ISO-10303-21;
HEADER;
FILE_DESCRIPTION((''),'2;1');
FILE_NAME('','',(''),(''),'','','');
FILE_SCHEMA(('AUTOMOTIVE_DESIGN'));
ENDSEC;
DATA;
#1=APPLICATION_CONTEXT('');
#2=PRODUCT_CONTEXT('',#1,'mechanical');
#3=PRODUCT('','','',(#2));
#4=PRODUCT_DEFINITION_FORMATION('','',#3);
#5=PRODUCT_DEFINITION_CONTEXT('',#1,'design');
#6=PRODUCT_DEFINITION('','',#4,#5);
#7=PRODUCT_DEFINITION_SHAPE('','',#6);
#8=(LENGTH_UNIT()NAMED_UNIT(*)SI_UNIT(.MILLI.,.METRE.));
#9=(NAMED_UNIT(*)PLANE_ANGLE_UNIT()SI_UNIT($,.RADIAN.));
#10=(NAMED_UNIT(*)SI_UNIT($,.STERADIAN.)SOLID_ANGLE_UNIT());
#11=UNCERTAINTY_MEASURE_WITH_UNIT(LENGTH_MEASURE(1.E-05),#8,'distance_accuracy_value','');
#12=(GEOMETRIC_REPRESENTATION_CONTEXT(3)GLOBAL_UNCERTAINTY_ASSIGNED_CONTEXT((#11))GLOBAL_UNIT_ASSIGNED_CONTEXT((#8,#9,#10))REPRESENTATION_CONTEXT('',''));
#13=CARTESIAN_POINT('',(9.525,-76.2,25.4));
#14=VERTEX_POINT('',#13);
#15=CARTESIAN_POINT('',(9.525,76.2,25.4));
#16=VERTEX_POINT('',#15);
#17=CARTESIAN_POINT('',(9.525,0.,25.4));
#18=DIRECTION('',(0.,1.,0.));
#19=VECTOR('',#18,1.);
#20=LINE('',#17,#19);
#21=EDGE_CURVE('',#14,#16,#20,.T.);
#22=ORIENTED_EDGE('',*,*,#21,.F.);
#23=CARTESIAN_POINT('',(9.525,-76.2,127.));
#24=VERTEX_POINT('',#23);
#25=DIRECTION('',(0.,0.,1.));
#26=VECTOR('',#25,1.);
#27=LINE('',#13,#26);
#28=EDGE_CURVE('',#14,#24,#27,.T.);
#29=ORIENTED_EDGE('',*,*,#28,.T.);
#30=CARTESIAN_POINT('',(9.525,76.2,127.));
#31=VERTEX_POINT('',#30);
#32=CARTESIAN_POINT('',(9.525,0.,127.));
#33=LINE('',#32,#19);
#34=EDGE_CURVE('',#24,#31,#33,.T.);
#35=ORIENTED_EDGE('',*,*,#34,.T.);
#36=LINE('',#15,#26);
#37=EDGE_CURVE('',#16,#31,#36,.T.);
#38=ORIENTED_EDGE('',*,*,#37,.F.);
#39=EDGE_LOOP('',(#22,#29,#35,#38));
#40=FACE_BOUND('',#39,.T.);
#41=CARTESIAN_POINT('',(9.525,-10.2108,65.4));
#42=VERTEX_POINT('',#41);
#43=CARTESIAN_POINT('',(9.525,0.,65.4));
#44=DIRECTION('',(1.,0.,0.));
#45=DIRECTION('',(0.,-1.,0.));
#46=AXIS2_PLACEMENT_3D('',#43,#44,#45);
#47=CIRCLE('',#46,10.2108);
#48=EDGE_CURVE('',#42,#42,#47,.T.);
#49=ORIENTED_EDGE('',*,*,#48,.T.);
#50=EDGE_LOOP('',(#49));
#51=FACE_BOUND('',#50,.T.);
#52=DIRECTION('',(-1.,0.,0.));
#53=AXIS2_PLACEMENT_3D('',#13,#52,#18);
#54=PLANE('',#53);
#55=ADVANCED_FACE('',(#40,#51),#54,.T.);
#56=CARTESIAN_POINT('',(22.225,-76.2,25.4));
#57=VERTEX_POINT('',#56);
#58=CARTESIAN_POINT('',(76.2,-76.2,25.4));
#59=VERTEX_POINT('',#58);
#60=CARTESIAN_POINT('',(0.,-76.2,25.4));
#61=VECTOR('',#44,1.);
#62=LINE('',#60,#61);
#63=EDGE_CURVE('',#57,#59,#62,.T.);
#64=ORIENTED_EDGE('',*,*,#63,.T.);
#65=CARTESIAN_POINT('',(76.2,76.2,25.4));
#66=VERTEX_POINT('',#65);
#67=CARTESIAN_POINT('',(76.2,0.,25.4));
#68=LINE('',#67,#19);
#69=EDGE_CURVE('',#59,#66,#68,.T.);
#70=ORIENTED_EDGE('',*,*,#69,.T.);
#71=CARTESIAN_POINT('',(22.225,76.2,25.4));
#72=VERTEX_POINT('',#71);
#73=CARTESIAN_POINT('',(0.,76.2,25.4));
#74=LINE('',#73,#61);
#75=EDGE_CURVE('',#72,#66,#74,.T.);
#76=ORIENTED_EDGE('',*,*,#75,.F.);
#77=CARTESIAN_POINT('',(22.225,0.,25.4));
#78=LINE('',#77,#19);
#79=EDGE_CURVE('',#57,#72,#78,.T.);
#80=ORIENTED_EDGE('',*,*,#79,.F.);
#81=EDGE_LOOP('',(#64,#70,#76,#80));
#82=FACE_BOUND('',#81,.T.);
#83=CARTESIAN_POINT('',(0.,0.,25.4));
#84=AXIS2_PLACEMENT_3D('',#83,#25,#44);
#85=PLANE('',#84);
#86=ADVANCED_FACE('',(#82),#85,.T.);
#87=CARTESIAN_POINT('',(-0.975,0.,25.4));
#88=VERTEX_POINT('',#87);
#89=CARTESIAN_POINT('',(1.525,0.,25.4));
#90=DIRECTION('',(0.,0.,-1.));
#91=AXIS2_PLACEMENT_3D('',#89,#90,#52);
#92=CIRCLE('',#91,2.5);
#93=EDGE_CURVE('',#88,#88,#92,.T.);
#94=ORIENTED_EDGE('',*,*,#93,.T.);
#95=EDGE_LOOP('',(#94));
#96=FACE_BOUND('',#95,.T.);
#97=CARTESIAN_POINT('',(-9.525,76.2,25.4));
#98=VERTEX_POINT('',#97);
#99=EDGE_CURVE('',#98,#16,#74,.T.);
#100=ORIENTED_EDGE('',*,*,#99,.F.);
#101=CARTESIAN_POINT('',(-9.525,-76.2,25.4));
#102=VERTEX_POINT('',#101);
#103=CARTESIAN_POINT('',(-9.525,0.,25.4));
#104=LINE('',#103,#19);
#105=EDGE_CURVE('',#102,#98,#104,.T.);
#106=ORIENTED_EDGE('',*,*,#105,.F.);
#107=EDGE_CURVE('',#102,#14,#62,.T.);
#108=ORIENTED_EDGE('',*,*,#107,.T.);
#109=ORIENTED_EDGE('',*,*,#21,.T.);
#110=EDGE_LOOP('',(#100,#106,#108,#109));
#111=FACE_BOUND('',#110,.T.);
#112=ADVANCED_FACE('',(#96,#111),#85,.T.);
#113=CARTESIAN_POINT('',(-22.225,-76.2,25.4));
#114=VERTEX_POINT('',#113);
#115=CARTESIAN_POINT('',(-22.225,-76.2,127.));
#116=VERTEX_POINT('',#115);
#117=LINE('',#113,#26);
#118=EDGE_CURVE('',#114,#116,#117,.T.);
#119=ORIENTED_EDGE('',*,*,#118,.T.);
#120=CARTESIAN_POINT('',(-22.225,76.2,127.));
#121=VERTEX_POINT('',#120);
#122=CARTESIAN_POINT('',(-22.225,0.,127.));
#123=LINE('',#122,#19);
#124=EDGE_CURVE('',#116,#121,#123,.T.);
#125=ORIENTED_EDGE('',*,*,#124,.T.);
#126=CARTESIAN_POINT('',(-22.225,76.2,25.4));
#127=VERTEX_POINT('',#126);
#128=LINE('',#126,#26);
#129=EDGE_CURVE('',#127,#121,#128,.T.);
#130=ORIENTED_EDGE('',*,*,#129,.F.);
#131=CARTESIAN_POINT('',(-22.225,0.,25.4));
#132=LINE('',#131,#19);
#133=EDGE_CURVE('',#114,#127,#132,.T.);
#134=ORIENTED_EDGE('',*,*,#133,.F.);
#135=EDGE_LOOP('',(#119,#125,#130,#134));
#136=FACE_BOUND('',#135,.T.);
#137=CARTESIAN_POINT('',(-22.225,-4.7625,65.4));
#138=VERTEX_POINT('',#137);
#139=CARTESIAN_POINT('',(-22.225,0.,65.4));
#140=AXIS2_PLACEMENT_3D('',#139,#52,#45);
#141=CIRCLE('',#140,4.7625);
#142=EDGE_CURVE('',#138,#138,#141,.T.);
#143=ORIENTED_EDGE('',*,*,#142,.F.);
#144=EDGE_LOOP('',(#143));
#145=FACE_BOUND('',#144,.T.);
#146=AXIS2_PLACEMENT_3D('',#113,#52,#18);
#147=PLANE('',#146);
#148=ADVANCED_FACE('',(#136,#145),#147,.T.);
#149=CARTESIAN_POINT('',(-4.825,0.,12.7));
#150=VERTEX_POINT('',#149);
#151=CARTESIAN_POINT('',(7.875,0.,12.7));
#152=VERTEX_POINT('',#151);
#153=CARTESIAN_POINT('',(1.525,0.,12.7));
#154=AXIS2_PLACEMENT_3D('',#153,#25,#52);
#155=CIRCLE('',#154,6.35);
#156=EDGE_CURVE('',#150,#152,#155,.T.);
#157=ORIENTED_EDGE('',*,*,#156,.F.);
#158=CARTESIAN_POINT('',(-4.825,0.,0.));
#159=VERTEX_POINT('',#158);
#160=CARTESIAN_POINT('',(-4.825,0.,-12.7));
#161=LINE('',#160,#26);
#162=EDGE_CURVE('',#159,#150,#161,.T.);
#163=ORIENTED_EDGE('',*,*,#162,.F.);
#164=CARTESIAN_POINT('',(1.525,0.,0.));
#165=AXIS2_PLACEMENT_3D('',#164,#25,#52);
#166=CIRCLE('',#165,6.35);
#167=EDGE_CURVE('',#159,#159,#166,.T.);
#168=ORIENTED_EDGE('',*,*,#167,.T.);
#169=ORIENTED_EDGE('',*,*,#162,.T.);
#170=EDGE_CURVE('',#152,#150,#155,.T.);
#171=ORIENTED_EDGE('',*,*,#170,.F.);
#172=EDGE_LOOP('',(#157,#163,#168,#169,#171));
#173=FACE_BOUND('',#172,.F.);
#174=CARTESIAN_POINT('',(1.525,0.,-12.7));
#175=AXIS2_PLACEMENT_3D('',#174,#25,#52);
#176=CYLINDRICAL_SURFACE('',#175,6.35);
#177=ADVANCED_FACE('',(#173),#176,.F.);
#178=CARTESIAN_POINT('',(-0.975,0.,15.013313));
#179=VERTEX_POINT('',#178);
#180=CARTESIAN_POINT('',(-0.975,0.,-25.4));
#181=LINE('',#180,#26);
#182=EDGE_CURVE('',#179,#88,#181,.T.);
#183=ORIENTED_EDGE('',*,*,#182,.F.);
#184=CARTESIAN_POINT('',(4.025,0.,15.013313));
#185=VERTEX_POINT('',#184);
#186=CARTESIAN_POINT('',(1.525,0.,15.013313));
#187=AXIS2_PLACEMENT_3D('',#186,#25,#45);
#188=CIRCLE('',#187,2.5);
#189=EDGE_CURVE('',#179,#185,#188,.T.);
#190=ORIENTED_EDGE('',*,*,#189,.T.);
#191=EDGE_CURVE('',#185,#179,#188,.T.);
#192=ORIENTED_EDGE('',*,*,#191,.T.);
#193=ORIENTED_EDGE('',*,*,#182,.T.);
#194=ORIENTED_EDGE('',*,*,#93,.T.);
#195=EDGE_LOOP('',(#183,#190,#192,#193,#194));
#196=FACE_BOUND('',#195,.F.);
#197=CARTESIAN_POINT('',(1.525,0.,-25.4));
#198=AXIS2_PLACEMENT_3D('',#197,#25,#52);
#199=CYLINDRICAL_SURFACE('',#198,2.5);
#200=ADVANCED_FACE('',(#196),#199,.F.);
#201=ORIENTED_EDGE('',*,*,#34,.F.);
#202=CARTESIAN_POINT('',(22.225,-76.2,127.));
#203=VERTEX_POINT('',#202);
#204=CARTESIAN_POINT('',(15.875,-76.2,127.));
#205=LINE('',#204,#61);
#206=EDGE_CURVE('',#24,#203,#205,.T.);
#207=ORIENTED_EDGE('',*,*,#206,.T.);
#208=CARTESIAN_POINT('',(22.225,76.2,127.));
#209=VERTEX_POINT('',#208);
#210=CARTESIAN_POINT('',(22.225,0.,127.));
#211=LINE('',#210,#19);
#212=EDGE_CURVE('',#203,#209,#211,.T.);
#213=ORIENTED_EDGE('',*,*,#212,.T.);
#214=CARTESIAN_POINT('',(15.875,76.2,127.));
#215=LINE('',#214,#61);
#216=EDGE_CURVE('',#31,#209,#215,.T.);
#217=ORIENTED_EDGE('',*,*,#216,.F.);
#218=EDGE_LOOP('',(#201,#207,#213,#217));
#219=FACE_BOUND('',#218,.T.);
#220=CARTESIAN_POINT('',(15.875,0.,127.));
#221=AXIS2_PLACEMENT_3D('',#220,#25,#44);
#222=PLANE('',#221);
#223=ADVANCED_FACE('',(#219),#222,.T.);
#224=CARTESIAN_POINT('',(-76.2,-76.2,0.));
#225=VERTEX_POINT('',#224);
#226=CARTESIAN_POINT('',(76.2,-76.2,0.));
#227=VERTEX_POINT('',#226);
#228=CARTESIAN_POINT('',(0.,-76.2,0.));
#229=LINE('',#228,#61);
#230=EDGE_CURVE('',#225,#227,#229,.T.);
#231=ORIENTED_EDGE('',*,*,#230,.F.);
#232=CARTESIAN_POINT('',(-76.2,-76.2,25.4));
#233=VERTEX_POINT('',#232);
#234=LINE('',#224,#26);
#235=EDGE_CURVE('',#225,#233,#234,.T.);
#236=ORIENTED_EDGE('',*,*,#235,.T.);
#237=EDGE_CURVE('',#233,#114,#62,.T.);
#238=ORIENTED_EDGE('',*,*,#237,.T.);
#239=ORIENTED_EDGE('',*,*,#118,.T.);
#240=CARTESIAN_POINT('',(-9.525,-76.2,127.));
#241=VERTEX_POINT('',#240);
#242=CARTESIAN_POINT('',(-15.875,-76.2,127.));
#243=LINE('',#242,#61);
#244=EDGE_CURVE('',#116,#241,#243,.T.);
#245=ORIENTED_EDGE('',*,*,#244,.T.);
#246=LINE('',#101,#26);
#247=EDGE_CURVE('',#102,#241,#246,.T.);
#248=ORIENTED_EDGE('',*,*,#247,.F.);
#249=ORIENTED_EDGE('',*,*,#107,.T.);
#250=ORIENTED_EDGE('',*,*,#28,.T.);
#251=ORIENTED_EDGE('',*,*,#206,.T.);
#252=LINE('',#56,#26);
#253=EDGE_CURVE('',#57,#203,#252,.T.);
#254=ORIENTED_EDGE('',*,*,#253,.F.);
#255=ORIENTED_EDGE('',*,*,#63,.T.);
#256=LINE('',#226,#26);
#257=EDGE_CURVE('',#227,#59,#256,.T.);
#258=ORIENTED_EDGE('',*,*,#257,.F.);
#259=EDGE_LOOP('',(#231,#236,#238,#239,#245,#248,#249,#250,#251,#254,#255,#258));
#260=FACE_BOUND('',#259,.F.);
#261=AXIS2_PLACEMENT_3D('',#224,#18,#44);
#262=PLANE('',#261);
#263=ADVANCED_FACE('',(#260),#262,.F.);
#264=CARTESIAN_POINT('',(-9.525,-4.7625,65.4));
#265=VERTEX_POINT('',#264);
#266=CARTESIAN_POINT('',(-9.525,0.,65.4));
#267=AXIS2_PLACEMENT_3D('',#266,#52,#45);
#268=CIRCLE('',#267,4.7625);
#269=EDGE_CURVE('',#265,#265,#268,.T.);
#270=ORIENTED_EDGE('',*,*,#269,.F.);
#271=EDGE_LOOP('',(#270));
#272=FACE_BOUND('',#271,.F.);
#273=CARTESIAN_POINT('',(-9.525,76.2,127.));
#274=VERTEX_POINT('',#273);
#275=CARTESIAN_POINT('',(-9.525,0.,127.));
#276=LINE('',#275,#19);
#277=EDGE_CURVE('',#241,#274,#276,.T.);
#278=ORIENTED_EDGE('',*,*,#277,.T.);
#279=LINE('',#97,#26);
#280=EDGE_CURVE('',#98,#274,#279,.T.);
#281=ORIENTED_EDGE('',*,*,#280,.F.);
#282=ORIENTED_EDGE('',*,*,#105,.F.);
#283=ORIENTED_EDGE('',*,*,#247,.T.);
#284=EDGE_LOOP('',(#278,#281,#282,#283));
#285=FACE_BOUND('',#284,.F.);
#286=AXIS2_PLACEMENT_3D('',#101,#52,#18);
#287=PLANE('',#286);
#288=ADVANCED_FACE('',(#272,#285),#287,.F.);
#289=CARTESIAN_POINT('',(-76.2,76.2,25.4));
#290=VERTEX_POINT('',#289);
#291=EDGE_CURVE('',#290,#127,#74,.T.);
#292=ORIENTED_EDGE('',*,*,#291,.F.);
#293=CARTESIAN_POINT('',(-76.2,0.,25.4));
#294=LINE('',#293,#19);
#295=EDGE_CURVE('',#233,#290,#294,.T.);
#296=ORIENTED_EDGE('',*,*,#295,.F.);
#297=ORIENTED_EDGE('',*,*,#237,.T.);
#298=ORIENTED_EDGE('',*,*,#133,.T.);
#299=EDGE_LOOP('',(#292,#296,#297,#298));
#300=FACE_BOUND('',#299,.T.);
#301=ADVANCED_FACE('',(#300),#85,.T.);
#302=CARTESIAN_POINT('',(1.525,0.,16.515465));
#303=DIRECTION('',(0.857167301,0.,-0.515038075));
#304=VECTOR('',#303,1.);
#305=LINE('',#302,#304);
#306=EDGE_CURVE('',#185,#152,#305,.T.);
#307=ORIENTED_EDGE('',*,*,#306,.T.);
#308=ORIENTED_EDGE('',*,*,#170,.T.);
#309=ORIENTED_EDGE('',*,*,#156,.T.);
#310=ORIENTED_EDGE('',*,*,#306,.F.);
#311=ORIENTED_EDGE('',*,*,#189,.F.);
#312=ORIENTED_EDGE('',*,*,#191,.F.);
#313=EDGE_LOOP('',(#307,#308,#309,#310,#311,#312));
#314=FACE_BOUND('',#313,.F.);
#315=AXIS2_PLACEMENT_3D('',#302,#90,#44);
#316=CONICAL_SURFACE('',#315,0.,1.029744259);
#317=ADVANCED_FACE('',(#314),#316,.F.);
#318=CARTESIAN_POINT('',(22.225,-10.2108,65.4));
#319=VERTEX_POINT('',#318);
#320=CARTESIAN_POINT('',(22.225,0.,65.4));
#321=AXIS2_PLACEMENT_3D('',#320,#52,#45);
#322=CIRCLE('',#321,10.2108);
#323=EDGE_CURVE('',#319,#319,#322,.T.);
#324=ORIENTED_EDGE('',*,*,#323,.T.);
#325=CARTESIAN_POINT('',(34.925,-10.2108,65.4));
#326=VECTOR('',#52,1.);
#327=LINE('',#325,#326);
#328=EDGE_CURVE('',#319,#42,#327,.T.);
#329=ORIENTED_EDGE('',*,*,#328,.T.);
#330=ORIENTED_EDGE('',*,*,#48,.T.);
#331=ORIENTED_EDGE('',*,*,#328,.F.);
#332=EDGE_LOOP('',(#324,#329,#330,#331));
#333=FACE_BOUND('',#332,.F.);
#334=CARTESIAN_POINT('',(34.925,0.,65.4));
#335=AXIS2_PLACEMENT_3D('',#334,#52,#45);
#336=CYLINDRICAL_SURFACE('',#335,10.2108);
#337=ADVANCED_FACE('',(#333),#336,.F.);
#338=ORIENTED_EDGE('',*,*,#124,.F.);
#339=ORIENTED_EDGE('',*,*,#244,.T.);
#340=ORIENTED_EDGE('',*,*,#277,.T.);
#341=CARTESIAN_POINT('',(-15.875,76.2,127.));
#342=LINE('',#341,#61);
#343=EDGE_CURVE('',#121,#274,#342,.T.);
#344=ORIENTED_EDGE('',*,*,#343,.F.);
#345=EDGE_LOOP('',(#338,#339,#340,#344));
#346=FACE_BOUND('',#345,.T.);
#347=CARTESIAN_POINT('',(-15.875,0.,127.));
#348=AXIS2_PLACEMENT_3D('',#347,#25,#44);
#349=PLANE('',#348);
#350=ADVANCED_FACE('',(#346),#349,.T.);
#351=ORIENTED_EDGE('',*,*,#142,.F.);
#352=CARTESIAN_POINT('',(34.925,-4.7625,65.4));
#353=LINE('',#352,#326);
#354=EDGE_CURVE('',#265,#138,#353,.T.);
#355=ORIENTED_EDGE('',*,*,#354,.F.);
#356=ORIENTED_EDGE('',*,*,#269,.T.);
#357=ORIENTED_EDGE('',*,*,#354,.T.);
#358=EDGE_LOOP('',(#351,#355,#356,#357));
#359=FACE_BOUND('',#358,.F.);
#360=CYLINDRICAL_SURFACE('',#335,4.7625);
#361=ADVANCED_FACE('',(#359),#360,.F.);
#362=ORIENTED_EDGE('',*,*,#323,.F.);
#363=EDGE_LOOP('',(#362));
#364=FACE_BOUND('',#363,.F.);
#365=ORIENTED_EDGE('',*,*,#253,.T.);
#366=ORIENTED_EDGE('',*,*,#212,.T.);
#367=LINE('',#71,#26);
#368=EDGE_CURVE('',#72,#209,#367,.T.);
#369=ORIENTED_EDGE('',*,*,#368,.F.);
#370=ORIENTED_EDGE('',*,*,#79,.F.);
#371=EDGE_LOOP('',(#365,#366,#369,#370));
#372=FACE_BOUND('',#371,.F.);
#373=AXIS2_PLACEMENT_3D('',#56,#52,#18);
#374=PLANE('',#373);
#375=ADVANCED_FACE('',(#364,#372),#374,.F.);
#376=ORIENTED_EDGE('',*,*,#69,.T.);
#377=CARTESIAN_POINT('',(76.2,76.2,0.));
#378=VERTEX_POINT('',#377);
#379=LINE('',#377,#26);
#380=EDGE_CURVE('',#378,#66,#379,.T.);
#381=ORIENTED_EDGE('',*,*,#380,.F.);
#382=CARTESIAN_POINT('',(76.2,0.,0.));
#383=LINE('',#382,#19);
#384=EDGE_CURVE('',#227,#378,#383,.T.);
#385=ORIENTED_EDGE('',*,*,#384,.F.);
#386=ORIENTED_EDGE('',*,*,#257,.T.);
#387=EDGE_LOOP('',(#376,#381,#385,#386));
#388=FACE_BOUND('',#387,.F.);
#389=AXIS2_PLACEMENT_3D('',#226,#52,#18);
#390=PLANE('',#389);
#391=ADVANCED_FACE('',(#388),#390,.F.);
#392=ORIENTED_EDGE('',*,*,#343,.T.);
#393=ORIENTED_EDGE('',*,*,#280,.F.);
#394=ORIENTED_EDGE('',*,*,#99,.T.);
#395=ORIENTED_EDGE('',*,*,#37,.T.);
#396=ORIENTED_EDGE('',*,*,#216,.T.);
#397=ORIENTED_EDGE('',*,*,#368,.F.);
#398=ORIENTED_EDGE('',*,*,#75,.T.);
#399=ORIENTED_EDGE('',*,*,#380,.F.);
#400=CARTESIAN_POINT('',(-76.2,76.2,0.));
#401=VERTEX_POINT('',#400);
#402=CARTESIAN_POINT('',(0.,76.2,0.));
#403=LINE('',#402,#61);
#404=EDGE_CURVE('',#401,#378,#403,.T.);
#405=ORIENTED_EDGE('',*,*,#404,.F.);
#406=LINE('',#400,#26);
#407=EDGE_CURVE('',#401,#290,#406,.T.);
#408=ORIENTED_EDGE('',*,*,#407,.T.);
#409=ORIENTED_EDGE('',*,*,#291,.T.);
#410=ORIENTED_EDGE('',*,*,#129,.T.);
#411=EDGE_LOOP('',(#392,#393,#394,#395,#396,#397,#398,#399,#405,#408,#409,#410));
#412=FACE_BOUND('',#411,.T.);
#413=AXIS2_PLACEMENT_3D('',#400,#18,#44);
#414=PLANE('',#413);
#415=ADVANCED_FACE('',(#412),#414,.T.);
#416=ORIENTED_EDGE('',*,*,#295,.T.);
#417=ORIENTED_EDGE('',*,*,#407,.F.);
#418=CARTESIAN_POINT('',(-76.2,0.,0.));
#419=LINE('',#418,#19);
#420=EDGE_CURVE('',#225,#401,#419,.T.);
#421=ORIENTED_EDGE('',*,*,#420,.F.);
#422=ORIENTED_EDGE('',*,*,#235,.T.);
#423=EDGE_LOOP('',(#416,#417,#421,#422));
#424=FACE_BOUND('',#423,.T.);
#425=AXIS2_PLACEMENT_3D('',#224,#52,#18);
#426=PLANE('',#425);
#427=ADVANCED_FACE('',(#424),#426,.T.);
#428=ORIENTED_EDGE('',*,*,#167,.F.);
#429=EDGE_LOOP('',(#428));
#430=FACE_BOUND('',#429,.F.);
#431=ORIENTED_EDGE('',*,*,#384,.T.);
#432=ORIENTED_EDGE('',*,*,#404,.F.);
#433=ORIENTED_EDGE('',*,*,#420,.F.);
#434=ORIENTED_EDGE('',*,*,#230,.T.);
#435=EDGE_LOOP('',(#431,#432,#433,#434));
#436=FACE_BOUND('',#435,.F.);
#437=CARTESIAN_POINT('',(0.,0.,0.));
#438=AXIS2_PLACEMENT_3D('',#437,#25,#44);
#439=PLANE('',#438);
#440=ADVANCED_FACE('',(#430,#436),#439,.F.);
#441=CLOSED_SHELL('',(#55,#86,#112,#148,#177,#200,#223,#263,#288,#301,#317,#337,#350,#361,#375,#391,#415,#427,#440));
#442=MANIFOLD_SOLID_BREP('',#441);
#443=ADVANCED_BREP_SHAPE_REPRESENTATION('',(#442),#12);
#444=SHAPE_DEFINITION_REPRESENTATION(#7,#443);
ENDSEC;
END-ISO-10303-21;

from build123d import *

# Parameters (mm, degrees)
F0_W     = 152.4
F0_H     = 152.4
F1_DEPTH = 25.4
F2_W     = 12.7
F2_H     = 152.4
F3_DEPTH = 101.6
F5_D     = 20.4216
F5_DEPTH = 12.7
F5_TIP   = 6.1352676088
F7_D     = 5
F7_DEPTH = 25.4
F7_TIP   = 1.5021515476
F8_D     = 12.7
F8_DEPTH = 12.7
F8_TIP   = 3.8154649308
F9_D     = 9.525
F9_DEPTH = 44.45
F9_START = 31.75
F9_TIP   = 2.8615986981


with BuildPart() as f1:
    # F0 (on Top) → F1 (new body)
    with BuildSketch(Plane.XY):
        Rectangle(F0_W, F0_H)
    extrude(amount=F1_DEPTH)

    # F2 (on face) → F3 (join)
    with BuildSketch(Plane.XY.offset(25.4)):
        with Locations((-15.875, 0)):
            Rectangle(F2_W, F2_H)
        with Locations((15.875, 0)):
            Rectangle(F2_W, F2_H)
    extrude(amount=F3_DEPTH)

    # F5
    with Locations(Plane.YZ.offset(22.225)):
        with Locations((0, 65.4)):
            Hole(F5_D / 2, depth=F5_DEPTH)
            with Locations((0, 0, -(F5_DEPTH + F5_TIP / 2))):  # 118° drill point
                Cone(0, F5_D / 2, F5_TIP, mode=Mode.SUBTRACT)

    # F7
    with Locations(Plane(origin=(0, 0, 0), x_dir=(1, 0, 0), z_dir=(0, 0, -1))):
        with Locations((1.525, 0)):
            Hole(F7_D / 2, depth=F7_DEPTH)
            with Locations((0, 0, -(F7_DEPTH + F7_TIP / 2))):  # 118° drill point
                Cone(0, F7_D / 2, F7_TIP, mode=Mode.SUBTRACT)

    # F8
    with Locations(Plane(origin=(0, 0, 0), x_dir=(1, 0, 0), z_dir=(0, 0, -1))):
        with Locations((1.525, 0)):
            Hole(F8_D / 2, depth=F8_DEPTH)
            with Locations((0, 0, -(F8_DEPTH + F8_TIP / 2))):  # 118° drill point
                Cone(0, F8_D / 2, F8_TIP, mode=Mode.SUBTRACT)

    # F9
    # its depths count from where the whole tool has entered the part; down to there all is cleared
    with Locations(Plane.YZ.offset(22.225).offset(-F9_START)):
        with Locations((0, 65.4)):
            Hole(F9_D / 2, depth=F9_DEPTH)
            with Locations((0, 0, -(F9_DEPTH + F9_TIP / 2))):  # 118° drill point
                Cone(0, F9_D / 2, F9_TIP, mode=Mode.SUBTRACT)


solid = f1.part
